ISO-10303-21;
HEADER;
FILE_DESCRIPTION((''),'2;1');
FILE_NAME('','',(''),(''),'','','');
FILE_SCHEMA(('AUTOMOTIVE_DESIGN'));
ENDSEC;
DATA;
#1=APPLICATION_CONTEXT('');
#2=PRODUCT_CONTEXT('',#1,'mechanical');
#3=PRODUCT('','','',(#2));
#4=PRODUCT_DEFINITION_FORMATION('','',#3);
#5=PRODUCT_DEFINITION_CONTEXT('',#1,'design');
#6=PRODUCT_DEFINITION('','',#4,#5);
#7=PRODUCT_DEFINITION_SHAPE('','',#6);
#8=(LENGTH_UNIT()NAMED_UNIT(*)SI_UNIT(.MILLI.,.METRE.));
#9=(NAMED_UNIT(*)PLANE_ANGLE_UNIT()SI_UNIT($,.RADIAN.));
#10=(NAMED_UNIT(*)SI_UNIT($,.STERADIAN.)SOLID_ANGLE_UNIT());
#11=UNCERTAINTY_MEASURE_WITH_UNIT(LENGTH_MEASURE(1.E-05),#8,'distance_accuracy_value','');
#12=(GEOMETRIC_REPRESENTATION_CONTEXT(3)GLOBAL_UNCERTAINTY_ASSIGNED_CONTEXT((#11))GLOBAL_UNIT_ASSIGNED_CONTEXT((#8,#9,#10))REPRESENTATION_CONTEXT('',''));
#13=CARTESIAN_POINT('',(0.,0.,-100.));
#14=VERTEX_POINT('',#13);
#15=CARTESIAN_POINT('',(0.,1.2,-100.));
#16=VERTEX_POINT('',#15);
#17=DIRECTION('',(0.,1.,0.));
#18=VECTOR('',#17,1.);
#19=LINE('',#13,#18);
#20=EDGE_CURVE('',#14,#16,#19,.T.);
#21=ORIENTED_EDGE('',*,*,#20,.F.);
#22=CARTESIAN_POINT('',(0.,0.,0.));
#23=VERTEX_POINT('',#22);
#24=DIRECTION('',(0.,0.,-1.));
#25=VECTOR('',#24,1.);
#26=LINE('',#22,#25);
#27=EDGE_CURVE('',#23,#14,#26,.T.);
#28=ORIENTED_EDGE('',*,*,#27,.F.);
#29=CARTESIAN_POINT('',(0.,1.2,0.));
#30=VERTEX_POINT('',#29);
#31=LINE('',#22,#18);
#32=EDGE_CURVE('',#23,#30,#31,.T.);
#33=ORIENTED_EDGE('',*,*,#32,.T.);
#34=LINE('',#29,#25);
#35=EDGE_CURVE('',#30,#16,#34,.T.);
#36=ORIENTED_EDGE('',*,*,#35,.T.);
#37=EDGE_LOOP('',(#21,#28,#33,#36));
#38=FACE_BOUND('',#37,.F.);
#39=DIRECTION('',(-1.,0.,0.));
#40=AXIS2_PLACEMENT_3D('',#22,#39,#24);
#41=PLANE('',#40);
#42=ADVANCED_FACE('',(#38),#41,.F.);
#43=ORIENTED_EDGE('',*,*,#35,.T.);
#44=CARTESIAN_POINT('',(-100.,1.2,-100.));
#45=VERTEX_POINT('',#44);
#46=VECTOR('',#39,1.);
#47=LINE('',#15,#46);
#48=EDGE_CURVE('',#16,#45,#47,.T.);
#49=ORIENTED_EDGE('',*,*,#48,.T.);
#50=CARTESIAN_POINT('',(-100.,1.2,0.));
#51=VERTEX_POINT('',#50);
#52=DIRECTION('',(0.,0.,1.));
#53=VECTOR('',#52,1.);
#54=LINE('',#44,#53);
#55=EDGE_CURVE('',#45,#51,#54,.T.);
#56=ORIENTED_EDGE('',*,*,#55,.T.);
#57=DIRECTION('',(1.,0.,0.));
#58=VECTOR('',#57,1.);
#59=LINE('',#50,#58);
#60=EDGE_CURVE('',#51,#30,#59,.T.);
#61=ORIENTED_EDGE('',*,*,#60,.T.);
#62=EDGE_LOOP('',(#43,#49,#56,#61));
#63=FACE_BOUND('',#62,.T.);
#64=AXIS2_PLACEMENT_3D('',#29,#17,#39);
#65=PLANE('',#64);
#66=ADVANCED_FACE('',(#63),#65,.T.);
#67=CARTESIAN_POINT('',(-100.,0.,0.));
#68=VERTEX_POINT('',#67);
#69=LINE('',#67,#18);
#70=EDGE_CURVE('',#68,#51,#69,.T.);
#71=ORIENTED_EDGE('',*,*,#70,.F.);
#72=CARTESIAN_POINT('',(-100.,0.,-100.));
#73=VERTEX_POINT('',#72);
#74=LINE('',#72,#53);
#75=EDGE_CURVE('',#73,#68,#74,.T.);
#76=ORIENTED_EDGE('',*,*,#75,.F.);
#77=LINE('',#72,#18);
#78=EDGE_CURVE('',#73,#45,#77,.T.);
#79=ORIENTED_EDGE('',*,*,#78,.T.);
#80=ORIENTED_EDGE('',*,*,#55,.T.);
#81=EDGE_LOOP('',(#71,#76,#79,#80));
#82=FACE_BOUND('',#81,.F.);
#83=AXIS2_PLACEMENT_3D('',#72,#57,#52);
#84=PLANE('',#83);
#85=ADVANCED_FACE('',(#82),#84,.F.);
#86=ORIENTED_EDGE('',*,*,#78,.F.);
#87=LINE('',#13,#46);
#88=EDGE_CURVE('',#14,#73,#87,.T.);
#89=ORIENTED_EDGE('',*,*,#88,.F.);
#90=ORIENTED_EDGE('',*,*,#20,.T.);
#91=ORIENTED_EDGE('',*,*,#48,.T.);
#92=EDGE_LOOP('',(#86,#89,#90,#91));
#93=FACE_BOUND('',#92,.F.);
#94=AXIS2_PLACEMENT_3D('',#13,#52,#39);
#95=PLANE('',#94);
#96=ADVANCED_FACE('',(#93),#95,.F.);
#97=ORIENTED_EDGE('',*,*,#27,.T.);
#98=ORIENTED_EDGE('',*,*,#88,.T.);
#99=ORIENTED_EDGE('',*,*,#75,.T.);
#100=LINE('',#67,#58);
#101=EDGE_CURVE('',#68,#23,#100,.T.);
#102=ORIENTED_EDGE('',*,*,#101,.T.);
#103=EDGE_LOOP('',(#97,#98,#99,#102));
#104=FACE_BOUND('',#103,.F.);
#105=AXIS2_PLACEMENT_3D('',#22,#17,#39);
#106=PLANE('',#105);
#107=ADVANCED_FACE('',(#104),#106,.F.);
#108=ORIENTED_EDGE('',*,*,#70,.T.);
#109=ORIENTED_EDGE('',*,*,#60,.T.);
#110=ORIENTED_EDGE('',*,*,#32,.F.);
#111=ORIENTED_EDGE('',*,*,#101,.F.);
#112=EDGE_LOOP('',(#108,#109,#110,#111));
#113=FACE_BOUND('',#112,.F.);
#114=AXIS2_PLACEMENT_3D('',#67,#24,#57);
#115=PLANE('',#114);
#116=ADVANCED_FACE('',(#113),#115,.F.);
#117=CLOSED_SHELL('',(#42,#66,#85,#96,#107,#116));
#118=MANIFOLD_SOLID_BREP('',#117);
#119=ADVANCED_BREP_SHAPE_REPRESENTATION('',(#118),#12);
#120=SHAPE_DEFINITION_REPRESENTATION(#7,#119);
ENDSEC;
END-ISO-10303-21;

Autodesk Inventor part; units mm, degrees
ref_plane "YZ Plane" through (0, 0, 0) normal (1, 0, 0) x (0, 1, 0)
ref_plane "XZ Plane" through (0, 0, 0) normal (0, 1, 0) x (-1, 0, 0)
ref_plane "XY Plane" through (0, 0, 0) normal (0, 0, 1) x (1, 0, 0)
sketch "Sketch1" plane through (0, 0, 0) normal (0, 1, 0) x (-1, 0, 0)
  line L0 (0, 0) -> (0, -100)
  line L1 (0, -100) -> (100, -100)
  line L2 (100, -100) -> (100, 0)
  line L3 (100, 0) -> (0, 0)
  dimension "d0" = 100
  dimension "d1" = 100
extrude "Extrusion1" add sketch "Sketch1" along normal blind 1.2
properties part number "pcb"
